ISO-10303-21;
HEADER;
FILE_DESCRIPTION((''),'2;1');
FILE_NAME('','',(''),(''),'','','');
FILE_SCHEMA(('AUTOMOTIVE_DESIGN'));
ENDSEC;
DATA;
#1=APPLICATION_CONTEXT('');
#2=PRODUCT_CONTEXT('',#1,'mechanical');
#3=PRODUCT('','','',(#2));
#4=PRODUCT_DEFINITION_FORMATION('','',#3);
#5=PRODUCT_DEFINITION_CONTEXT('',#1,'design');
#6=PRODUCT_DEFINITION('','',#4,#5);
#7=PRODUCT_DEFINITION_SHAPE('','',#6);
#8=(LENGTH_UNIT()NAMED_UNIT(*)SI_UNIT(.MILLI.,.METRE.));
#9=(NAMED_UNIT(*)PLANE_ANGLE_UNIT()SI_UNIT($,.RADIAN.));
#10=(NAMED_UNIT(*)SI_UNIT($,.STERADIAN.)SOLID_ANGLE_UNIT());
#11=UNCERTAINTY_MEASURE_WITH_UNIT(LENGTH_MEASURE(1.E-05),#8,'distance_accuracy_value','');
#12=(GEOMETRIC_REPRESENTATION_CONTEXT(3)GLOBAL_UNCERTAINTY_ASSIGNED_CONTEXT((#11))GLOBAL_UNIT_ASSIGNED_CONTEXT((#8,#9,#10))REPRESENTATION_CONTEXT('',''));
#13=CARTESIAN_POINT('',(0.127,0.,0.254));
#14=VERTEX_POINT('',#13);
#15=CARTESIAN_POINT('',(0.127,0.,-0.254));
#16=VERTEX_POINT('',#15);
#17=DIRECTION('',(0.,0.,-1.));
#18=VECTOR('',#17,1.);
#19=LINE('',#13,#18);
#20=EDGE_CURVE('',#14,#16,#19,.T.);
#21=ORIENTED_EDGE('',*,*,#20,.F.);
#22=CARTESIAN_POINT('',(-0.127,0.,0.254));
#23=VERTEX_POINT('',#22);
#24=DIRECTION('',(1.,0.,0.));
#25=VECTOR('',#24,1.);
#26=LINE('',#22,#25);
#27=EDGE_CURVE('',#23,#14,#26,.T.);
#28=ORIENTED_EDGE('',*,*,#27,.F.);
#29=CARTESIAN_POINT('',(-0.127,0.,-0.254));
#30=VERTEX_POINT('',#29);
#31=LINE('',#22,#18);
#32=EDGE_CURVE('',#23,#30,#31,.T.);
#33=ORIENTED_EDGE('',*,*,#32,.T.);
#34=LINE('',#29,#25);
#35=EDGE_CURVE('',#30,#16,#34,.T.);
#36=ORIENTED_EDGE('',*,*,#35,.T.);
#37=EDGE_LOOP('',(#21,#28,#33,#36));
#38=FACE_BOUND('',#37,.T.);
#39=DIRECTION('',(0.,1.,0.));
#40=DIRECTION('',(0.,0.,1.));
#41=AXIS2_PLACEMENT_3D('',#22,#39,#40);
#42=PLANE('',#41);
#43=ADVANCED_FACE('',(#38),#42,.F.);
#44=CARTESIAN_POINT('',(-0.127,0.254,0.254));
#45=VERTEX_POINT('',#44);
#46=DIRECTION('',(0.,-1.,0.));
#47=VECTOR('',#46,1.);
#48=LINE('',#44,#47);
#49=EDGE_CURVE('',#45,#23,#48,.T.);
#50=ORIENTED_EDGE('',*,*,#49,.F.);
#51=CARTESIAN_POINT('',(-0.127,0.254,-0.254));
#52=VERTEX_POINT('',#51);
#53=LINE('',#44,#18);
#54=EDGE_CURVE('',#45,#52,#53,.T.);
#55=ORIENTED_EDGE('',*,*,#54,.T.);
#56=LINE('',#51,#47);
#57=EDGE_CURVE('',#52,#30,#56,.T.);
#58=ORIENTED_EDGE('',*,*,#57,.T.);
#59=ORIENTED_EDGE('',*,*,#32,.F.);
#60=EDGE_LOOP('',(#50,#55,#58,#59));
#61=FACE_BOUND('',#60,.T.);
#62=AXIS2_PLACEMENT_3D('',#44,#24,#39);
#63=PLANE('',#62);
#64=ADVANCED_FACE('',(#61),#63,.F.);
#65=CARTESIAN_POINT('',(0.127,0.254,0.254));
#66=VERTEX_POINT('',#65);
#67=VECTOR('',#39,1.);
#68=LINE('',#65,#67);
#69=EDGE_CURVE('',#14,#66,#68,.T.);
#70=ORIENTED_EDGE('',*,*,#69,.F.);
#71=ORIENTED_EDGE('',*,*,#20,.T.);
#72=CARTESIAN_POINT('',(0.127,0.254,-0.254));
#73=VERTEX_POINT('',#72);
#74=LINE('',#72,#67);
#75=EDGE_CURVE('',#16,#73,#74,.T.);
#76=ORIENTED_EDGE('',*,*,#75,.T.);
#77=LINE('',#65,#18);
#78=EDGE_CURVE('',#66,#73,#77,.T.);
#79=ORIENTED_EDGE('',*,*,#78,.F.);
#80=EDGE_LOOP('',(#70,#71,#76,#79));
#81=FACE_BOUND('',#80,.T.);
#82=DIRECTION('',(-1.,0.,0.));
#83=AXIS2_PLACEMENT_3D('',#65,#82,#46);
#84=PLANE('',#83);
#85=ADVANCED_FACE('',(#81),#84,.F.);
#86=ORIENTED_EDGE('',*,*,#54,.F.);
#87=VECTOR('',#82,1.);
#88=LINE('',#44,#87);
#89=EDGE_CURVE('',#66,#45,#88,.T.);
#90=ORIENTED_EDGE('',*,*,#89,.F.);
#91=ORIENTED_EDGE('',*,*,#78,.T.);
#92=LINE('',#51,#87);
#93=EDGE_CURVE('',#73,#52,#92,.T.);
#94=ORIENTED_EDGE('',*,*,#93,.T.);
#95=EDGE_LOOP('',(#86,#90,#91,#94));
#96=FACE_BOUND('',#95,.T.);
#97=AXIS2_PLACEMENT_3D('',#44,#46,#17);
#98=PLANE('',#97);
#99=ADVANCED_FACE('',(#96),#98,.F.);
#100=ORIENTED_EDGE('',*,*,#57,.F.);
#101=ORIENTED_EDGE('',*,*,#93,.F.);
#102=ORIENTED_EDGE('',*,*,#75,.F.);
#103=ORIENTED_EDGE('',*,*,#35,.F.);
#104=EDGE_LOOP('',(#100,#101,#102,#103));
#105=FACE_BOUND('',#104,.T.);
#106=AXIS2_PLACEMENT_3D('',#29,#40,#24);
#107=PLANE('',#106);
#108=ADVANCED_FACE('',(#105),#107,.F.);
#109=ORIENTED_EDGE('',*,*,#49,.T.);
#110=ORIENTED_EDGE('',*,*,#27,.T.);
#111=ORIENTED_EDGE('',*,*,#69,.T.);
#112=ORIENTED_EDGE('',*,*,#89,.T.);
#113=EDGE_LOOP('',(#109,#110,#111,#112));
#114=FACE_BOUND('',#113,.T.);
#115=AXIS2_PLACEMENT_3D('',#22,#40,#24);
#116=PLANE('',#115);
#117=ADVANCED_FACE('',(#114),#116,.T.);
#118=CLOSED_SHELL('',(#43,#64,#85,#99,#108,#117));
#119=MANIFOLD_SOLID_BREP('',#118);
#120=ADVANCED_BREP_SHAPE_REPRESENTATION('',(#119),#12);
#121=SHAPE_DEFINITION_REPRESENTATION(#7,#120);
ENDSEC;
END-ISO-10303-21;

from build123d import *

# Parameters (mm, degrees)
SKETCH1_W      = 0.254
SKETCH1_H      = 0.254
EXTRUDE1_DEPTH = 0.254


with BuildPart() as part:
    # Sketch1 → Extrude1 (new body, symmetric)
    with BuildSketch(Plane.XY):
        with Locations((0, 0.127)):
            Rectangle(SKETCH1_W, SKETCH1_H)
    extrude(amount=EXTRUDE1_DEPTH, both=True)


solid = part.part
